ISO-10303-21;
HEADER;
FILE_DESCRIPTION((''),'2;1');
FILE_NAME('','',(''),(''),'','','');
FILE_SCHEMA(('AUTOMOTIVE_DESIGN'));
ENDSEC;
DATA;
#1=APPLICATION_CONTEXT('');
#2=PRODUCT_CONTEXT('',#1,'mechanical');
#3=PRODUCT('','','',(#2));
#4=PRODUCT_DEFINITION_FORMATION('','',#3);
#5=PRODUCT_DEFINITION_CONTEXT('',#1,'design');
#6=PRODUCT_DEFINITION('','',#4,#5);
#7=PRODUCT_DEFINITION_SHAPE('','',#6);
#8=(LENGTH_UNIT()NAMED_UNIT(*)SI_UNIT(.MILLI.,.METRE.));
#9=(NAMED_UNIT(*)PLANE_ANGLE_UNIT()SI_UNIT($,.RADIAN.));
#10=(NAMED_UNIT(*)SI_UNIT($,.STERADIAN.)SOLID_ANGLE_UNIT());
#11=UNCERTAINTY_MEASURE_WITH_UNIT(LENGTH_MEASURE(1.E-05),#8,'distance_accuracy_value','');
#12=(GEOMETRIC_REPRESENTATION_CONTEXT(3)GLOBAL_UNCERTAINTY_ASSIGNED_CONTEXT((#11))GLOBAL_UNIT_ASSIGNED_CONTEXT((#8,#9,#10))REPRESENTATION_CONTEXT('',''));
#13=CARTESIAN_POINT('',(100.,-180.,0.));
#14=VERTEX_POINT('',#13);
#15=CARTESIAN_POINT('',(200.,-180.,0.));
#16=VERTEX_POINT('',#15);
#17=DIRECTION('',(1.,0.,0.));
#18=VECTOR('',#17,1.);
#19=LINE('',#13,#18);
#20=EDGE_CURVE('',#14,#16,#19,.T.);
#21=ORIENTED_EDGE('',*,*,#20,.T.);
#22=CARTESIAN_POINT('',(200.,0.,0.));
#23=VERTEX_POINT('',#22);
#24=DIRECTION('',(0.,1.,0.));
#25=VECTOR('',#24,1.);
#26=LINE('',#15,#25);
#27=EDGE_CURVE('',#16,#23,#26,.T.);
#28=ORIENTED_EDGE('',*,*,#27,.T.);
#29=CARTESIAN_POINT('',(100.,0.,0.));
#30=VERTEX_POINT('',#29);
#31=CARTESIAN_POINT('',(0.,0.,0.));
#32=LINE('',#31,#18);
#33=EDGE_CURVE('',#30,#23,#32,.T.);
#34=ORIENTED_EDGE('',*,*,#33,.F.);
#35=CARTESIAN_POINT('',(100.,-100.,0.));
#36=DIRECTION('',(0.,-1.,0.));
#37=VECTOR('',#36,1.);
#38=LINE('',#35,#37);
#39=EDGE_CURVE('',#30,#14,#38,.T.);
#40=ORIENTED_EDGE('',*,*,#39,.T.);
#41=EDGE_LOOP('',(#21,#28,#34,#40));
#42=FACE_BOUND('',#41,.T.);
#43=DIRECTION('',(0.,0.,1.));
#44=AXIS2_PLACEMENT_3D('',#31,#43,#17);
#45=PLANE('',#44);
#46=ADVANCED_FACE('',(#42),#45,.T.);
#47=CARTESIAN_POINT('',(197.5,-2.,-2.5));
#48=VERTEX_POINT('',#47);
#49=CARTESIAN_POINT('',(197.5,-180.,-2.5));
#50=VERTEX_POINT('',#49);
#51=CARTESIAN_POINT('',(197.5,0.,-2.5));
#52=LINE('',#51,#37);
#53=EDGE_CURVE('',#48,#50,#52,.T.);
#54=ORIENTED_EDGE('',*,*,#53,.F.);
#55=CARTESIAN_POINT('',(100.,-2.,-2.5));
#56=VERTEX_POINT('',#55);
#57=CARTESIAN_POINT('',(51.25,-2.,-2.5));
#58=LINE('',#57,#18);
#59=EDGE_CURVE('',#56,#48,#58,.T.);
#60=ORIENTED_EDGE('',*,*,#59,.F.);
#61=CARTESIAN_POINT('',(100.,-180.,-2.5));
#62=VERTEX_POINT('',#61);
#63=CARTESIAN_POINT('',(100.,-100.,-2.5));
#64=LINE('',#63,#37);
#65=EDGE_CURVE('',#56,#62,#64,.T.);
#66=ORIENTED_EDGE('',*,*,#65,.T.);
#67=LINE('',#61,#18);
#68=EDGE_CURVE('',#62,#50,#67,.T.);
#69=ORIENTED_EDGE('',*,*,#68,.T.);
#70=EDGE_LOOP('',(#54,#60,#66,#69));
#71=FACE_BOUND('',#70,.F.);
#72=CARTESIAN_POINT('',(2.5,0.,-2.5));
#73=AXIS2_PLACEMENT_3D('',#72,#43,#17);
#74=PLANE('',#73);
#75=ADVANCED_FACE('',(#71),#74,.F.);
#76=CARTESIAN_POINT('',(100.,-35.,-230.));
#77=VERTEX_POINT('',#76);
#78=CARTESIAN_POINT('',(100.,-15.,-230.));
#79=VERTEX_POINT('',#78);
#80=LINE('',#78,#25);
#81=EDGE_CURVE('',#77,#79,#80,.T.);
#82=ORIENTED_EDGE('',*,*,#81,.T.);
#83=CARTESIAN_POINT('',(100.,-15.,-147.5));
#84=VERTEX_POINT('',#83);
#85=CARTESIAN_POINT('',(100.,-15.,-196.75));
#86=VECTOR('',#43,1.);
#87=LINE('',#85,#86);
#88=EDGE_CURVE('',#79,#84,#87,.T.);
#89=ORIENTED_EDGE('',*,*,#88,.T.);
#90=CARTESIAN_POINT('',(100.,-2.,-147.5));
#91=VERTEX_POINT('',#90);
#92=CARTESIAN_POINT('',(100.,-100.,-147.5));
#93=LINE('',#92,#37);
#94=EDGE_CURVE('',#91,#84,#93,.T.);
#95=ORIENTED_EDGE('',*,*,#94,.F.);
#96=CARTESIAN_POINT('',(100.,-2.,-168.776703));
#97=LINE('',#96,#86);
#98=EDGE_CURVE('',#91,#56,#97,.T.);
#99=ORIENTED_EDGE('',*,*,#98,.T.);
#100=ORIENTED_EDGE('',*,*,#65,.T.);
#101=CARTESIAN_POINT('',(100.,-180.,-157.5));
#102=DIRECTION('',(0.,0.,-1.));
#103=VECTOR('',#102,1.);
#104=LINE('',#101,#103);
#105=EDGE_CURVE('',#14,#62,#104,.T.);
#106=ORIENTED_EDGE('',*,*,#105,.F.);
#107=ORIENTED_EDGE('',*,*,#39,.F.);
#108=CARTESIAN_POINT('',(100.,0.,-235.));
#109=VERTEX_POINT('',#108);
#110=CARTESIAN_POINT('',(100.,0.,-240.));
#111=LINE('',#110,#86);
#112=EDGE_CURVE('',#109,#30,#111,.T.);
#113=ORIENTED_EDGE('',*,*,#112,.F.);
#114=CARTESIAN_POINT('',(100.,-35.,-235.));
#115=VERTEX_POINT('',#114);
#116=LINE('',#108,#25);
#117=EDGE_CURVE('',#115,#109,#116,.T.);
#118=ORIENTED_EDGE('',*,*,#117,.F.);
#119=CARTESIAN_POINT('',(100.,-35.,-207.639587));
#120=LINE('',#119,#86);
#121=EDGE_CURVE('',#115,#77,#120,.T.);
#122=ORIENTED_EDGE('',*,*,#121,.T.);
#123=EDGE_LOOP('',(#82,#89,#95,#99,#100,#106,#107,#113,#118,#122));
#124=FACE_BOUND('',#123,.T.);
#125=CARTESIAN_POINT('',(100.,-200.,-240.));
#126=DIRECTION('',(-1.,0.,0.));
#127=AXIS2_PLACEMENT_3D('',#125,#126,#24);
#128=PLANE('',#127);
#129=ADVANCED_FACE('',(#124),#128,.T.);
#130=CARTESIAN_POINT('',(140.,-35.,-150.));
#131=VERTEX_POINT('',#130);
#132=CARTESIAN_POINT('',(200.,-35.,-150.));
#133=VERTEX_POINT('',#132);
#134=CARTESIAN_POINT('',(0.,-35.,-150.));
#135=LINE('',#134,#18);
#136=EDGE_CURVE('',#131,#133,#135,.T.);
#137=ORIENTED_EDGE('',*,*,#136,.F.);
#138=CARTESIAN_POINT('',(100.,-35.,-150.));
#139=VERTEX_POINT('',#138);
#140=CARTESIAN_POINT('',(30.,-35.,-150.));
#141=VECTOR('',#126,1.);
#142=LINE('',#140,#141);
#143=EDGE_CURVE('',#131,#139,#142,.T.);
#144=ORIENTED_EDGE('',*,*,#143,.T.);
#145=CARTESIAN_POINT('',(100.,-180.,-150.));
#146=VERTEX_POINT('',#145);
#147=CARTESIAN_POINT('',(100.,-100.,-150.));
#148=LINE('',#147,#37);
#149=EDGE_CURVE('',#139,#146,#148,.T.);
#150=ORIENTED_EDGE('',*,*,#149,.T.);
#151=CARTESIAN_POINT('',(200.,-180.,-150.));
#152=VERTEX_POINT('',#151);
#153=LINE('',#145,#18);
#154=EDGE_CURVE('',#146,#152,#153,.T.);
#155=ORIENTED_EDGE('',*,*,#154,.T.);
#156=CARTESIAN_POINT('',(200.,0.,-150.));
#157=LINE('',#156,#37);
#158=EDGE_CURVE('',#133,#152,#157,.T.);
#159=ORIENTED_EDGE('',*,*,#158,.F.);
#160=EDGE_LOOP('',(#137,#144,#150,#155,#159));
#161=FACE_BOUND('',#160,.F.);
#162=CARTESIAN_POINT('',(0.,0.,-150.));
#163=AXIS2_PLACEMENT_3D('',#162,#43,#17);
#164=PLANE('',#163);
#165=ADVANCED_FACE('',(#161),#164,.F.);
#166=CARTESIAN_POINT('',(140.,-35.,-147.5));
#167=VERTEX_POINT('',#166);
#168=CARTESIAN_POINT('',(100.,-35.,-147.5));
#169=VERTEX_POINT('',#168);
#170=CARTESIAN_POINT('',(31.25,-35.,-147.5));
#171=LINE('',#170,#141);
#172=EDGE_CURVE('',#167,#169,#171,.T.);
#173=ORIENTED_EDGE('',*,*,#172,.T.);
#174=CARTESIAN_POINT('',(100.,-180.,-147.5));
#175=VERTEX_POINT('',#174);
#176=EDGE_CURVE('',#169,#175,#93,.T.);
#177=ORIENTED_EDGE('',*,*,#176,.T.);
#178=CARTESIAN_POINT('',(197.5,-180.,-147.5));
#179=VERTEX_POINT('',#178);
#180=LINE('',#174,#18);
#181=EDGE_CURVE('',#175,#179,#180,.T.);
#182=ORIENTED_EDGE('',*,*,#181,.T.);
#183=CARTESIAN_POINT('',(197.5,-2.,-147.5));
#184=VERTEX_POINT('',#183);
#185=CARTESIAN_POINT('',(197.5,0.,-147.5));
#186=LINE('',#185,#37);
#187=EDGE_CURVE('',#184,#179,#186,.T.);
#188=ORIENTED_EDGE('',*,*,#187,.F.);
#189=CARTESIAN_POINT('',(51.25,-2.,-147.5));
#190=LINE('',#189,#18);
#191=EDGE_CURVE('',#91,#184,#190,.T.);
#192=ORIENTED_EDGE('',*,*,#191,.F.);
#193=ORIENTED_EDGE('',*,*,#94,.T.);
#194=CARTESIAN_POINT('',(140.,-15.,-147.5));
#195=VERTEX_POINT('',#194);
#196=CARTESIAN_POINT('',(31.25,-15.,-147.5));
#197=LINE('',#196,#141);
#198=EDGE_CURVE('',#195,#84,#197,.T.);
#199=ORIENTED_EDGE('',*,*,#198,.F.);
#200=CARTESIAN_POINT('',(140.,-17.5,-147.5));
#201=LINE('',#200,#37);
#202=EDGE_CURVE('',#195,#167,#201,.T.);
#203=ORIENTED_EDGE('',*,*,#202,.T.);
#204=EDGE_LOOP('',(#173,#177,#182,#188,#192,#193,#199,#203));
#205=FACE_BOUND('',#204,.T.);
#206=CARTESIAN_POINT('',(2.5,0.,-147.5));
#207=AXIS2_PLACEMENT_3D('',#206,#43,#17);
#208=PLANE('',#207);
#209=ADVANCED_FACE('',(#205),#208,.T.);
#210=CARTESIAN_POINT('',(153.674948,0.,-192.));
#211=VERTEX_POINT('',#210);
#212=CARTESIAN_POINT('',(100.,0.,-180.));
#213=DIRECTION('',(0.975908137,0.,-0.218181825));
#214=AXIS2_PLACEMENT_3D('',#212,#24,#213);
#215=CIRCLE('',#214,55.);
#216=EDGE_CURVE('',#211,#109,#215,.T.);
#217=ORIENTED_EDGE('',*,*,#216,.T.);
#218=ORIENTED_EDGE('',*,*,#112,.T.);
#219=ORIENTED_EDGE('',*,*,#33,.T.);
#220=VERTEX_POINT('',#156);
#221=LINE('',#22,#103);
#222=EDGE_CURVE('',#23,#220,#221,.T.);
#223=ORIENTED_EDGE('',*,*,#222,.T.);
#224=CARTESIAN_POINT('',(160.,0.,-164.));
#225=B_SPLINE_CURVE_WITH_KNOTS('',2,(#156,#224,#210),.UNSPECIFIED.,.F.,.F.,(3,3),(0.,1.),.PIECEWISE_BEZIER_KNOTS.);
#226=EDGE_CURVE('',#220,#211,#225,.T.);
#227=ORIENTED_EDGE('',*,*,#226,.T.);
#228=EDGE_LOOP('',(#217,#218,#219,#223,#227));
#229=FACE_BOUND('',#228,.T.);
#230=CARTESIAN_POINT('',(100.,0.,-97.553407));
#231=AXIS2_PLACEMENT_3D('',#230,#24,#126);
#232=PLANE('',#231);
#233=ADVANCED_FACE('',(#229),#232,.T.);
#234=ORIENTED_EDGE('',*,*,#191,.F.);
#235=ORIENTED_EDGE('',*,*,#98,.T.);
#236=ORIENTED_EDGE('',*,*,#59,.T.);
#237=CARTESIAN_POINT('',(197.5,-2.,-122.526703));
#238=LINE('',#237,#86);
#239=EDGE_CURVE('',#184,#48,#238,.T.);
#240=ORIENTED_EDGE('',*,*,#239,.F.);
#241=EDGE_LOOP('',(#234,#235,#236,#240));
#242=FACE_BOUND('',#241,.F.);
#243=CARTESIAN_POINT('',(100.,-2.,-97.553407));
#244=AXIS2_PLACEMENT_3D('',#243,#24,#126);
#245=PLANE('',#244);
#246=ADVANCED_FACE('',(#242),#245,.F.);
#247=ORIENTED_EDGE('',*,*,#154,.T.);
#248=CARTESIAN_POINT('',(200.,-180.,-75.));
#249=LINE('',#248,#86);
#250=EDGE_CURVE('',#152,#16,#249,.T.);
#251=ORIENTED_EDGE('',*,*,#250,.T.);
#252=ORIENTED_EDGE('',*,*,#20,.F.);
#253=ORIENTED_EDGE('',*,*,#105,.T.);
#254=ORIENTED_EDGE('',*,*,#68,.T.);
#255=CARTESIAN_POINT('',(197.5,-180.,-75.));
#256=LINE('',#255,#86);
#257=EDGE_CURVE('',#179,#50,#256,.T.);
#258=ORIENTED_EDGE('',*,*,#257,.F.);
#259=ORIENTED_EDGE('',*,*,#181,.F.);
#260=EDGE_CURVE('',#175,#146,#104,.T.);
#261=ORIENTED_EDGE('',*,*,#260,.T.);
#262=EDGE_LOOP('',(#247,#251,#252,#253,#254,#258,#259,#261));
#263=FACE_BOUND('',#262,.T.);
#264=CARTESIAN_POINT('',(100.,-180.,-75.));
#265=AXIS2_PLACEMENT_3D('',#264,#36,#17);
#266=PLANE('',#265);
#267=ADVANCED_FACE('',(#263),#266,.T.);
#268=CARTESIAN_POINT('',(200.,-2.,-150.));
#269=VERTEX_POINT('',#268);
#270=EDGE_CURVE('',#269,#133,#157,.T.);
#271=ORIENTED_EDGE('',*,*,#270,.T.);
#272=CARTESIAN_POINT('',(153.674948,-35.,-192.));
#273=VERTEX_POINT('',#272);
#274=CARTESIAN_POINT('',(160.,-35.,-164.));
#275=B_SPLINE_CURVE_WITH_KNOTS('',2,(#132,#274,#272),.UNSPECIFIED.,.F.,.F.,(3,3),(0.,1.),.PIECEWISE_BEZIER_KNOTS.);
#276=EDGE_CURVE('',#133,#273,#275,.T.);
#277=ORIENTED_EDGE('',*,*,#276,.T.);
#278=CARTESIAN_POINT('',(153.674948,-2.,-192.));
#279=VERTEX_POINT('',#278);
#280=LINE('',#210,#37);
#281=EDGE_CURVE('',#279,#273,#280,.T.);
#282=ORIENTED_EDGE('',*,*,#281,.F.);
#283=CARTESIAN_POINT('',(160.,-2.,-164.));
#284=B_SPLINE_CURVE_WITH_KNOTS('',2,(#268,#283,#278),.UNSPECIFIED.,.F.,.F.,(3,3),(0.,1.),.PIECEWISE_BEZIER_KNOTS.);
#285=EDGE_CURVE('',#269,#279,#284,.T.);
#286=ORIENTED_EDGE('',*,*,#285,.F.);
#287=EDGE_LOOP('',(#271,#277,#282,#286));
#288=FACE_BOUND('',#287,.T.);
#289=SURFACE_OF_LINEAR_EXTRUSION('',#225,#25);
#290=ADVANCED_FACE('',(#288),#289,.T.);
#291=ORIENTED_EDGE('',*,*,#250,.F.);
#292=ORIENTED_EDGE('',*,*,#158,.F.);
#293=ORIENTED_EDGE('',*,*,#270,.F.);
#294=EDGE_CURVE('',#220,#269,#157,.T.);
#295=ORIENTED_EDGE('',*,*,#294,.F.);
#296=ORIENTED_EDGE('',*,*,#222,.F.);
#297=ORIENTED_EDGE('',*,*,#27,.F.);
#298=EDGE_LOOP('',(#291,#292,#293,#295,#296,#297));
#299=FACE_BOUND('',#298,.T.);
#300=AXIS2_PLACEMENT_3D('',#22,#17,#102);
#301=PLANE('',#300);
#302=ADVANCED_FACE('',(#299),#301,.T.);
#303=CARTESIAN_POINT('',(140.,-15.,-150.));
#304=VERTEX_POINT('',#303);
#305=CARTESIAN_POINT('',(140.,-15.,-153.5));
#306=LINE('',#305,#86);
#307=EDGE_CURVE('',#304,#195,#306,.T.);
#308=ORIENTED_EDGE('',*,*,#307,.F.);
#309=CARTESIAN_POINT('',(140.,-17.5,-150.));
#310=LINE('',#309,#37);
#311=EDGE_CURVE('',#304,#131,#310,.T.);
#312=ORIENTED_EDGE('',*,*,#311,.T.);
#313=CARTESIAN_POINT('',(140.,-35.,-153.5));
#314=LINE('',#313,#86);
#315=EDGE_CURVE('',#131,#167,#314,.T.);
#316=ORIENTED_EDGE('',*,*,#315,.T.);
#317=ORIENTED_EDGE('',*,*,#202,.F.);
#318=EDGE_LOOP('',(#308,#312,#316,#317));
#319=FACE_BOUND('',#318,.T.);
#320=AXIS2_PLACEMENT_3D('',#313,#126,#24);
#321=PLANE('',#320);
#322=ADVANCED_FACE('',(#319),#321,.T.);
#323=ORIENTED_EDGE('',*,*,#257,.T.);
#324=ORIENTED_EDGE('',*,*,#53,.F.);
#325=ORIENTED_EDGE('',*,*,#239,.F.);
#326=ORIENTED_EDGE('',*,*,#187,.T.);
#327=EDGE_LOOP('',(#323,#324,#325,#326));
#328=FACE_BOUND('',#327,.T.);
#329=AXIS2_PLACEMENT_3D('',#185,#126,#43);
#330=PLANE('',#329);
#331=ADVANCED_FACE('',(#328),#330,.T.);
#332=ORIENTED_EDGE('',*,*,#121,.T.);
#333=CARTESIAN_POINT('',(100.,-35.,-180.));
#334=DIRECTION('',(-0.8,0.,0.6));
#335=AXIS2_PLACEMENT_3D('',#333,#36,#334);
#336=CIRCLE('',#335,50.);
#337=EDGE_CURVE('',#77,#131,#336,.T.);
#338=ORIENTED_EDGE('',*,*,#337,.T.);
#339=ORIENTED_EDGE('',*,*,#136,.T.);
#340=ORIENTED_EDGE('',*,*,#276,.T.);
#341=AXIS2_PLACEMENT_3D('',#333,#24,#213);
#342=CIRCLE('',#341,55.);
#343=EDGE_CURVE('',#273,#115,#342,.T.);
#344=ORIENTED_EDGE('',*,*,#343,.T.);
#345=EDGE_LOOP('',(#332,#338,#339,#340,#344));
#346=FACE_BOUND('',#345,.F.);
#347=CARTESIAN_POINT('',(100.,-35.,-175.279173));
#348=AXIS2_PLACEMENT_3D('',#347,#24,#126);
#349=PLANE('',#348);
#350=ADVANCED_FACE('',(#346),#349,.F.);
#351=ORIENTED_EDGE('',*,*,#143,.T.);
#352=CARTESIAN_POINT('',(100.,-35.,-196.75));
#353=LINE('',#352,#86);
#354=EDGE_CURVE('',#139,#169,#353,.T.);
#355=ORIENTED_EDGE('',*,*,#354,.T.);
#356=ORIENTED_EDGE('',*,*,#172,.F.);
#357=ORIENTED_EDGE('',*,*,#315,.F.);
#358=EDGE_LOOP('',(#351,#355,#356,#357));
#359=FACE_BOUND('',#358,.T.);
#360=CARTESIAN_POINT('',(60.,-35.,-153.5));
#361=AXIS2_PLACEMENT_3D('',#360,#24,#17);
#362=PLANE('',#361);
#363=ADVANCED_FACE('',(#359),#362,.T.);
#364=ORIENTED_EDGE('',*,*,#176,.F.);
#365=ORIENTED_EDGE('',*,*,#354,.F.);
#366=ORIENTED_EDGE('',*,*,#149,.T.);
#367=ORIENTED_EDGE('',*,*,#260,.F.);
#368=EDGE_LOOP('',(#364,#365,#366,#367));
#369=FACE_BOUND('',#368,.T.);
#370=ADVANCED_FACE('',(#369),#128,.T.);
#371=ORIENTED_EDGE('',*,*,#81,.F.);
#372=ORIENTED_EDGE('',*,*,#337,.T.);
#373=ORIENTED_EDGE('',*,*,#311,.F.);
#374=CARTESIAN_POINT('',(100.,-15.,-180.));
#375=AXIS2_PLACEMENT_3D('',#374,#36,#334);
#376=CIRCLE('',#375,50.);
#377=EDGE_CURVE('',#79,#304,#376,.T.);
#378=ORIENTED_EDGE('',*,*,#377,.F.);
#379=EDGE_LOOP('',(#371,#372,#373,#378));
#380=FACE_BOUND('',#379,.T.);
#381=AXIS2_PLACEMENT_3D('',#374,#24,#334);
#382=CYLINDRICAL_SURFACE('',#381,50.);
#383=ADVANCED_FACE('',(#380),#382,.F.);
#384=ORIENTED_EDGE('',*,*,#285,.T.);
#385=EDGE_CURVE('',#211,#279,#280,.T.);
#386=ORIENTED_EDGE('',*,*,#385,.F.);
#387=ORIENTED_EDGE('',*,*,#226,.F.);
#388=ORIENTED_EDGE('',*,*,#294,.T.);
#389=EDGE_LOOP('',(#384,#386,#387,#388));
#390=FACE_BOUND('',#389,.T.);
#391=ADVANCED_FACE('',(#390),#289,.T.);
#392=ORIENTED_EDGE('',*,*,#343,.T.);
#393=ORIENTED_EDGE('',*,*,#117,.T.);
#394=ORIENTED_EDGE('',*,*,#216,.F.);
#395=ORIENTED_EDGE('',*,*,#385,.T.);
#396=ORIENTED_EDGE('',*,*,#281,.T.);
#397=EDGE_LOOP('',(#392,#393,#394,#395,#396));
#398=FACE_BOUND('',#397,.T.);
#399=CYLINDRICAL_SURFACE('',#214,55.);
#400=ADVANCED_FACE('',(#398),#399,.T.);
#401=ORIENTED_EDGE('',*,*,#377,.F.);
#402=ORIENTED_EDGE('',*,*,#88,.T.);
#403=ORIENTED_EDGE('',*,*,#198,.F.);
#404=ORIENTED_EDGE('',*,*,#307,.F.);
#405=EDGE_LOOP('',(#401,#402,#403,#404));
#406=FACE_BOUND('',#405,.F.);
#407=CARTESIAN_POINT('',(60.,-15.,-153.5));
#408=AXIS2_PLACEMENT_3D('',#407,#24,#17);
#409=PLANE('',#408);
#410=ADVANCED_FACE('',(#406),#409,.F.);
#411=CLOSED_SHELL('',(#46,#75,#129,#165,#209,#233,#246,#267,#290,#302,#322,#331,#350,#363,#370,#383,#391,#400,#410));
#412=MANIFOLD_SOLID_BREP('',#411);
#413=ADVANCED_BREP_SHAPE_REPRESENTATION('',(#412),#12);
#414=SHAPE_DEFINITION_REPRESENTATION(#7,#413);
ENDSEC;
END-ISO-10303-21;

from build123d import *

# Parameters (mm, degrees)
BOX_W                                = 100
BOX_H                                = 200
BOX_DEPTH                            = 250
SKETCH004_W                          = 80
SKETCH004_H                          = 20
EXTRUDE005_DEPTH                     = 20
SKETCH_AS_DRAWN_W                    = 200
SKETCH_AS_DRAWN_H                    = 150
SKETCH_AS_DRAWN_W_2                  = 195
SKETCH_AS_DRAWN_H_2                  = 145
EXTRUDE_DEPTH                        = 180
EXTRUDE_ONTO_SKETCH_ROLL_ANGLE       = 90
EXTRUDE004_DEPTH                     = 20
EXTRUDE004_ONTO_SKETCH002_ROLL_ANGLE = 90
EXTRUDE002_DEPTH                     = 35
EXTRUDE002_ONTO_SKETCH003_ROLL_ANGLE = 90
EXTRUDE001_DEPTH                     = 2
EXTRUDE001_ONTO_SKETCH001_ROLL_ANGLE = 90


with BuildPart() as cube:
    # Box → Box (new body)
    with BuildSketch(Plane(origin=(0, -200, -240), x_dir=(1, 0, 0), z_dir=(0, 0, 1))):
        with Locations((50, 100)):
            Rectangle(BOX_W, BOX_H)
    extrude(amount=BOX_DEPTH)


with BuildPart() as extrude005:
    # Sketch004 → Extrude005 (new body)
    with BuildSketch(Plane.XY.offset(-147.5)):
        with Locations((100, -25)):
            Rectangle(SKETCH004_W, SKETCH004_H)
    extrude(amount=EXTRUDE005_DEPTH)


with BuildPart() as extrude005_1:
    # Extrude005 placement: moved
    add(extrude005.part.moved(Location((0, 0, -6))))


with BuildPart() as cut001:
    # Sketch as drawn → Extrude (new)
    with BuildSketch(Plane.XY):
        with Locations((100, -75)):
            Rectangle(SKETCH_AS_DRAWN_W, SKETCH_AS_DRAWN_H)
        with Locations((100, -75)):
            Rectangle(SKETCH_AS_DRAWN_W_2, SKETCH_AS_DRAWN_H_2, mode=Mode.SUBTRACT)
    extrude(amount=EXTRUDE_DEPTH)


with BuildPart() as cut001_1:
    # Extrude onto Sketch roll: moved
    add(cut001.part.rotate(Axis((0, 0, 0), (1, 0, 0)), EXTRUDE_ONTO_SKETCH_ROLL_ANGLE))


with BuildPart() as cut001_2:
    # Extrude onto Sketch placement: moved
    add(cut001_1.part)

    # Cut001: cut Extrude005
    add(extrude005_1.part, mode=Mode.SUBTRACT)


with BuildPart() as extrude004:
    # Sketch002 as drawn → Extrude004 (new)
    with BuildSketch(Plane.XY):
        with BuildLine():
            ThreePointArc((60, -150), (100, -230), (140, -150))
            Line((60, -150), (140, -150))
        make_face()
    extrude(amount=EXTRUDE004_DEPTH)


with BuildPart() as extrude004_1:
    # Extrude004 onto Sketch002 roll: moved
    add(extrude004.part.rotate(Axis((0, 0, 0), (1, 0, 0)), EXTRUDE004_ONTO_SKETCH002_ROLL_ANGLE))


with BuildPart() as extrude004_2:
    # Extrude004 onto Sketch002 placement: moved
    add(extrude004_1.part)


with BuildPart() as extrude004_3:
    # Extrude004 placement: moved
    add(extrude004_2.part.moved(Location((0, -15, 0))))


with BuildPart() as cut:
    # Sketch003 as drawn → Extrude002 (new)
    with BuildSketch(Plane.XY):
        with BuildLine():
            add(Edge.make_bspline(
                [(46.325052, -192), (40, -164), (0, -150)],
                knots=[0, 0, 0, 1, 1, 1], degree=2))
            Line((0, -150), (200, -150))
            add(Edge.make_bspline(
                [(200, -150), (160, -164), (153.674948, -192)],
                knots=[0, 0, 0, 1, 1, 1], degree=2))
            ThreePointArc((153.674948, -192), (100, -235), (46.325052, -192))
        make_face()
    extrude(amount=EXTRUDE002_DEPTH)


with BuildPart() as cut_1:
    # Extrude002 onto Sketch003 roll: moved
    add(cut.part.rotate(Axis((0, 0, 0), (1, 0, 0)), EXTRUDE002_ONTO_SKETCH003_ROLL_ANGLE))


with BuildPart() as cut_2:
    # Extrude002 onto Sketch003 placement: moved
    add(cut_1.part)

    # Cut: cut Extrude004
    add(extrude004_3.part, mode=Mode.SUBTRACT)


with BuildPart() as cut010:
    # Sketch001 as drawn → Extrude001 (new)
    with BuildSketch(Plane.XY):
        with BuildLine():
            add(Edge.make_bspline(
                [(46.325052, -192), (40, -164), (0, -150)],
                knots=[0, 0, 0, 1, 1, 1], degree=2))
            Line((0, -150), (0, 0))
            Line((0, 0), (200, 0))
            Line((200, 0), (200, -150))
            add(Edge.make_bspline(
                [(200, -150), (160, -164), (153.674948, -192)],
                knots=[0, 0, 0, 1, 1, 1], degree=2))
            ThreePointArc((153.674948, -192), (100, -235), (46.325052, -192))
        make_face()
    extrude(amount=EXTRUDE001_DEPTH)


with BuildPart() as cut010_1:
    # Extrude001 onto Sketch001 roll: moved
    add(cut010.part.rotate(Axis((0, 0, 0), (1, 0, 0)), EXTRUDE001_ONTO_SKETCH001_ROLL_ANGLE))


with BuildPart() as cut010_2:
    # Extrude001 onto Sketch001 placement: moved
    add(cut010_1.part)

    # Fusion: union Cut001, Cut
    add(cut001_2.part)
    add(cut_2.part)

    # Cut010: cut Cube
    add(cube.part, mode=Mode.SUBTRACT)


solid = cut010_2.part
